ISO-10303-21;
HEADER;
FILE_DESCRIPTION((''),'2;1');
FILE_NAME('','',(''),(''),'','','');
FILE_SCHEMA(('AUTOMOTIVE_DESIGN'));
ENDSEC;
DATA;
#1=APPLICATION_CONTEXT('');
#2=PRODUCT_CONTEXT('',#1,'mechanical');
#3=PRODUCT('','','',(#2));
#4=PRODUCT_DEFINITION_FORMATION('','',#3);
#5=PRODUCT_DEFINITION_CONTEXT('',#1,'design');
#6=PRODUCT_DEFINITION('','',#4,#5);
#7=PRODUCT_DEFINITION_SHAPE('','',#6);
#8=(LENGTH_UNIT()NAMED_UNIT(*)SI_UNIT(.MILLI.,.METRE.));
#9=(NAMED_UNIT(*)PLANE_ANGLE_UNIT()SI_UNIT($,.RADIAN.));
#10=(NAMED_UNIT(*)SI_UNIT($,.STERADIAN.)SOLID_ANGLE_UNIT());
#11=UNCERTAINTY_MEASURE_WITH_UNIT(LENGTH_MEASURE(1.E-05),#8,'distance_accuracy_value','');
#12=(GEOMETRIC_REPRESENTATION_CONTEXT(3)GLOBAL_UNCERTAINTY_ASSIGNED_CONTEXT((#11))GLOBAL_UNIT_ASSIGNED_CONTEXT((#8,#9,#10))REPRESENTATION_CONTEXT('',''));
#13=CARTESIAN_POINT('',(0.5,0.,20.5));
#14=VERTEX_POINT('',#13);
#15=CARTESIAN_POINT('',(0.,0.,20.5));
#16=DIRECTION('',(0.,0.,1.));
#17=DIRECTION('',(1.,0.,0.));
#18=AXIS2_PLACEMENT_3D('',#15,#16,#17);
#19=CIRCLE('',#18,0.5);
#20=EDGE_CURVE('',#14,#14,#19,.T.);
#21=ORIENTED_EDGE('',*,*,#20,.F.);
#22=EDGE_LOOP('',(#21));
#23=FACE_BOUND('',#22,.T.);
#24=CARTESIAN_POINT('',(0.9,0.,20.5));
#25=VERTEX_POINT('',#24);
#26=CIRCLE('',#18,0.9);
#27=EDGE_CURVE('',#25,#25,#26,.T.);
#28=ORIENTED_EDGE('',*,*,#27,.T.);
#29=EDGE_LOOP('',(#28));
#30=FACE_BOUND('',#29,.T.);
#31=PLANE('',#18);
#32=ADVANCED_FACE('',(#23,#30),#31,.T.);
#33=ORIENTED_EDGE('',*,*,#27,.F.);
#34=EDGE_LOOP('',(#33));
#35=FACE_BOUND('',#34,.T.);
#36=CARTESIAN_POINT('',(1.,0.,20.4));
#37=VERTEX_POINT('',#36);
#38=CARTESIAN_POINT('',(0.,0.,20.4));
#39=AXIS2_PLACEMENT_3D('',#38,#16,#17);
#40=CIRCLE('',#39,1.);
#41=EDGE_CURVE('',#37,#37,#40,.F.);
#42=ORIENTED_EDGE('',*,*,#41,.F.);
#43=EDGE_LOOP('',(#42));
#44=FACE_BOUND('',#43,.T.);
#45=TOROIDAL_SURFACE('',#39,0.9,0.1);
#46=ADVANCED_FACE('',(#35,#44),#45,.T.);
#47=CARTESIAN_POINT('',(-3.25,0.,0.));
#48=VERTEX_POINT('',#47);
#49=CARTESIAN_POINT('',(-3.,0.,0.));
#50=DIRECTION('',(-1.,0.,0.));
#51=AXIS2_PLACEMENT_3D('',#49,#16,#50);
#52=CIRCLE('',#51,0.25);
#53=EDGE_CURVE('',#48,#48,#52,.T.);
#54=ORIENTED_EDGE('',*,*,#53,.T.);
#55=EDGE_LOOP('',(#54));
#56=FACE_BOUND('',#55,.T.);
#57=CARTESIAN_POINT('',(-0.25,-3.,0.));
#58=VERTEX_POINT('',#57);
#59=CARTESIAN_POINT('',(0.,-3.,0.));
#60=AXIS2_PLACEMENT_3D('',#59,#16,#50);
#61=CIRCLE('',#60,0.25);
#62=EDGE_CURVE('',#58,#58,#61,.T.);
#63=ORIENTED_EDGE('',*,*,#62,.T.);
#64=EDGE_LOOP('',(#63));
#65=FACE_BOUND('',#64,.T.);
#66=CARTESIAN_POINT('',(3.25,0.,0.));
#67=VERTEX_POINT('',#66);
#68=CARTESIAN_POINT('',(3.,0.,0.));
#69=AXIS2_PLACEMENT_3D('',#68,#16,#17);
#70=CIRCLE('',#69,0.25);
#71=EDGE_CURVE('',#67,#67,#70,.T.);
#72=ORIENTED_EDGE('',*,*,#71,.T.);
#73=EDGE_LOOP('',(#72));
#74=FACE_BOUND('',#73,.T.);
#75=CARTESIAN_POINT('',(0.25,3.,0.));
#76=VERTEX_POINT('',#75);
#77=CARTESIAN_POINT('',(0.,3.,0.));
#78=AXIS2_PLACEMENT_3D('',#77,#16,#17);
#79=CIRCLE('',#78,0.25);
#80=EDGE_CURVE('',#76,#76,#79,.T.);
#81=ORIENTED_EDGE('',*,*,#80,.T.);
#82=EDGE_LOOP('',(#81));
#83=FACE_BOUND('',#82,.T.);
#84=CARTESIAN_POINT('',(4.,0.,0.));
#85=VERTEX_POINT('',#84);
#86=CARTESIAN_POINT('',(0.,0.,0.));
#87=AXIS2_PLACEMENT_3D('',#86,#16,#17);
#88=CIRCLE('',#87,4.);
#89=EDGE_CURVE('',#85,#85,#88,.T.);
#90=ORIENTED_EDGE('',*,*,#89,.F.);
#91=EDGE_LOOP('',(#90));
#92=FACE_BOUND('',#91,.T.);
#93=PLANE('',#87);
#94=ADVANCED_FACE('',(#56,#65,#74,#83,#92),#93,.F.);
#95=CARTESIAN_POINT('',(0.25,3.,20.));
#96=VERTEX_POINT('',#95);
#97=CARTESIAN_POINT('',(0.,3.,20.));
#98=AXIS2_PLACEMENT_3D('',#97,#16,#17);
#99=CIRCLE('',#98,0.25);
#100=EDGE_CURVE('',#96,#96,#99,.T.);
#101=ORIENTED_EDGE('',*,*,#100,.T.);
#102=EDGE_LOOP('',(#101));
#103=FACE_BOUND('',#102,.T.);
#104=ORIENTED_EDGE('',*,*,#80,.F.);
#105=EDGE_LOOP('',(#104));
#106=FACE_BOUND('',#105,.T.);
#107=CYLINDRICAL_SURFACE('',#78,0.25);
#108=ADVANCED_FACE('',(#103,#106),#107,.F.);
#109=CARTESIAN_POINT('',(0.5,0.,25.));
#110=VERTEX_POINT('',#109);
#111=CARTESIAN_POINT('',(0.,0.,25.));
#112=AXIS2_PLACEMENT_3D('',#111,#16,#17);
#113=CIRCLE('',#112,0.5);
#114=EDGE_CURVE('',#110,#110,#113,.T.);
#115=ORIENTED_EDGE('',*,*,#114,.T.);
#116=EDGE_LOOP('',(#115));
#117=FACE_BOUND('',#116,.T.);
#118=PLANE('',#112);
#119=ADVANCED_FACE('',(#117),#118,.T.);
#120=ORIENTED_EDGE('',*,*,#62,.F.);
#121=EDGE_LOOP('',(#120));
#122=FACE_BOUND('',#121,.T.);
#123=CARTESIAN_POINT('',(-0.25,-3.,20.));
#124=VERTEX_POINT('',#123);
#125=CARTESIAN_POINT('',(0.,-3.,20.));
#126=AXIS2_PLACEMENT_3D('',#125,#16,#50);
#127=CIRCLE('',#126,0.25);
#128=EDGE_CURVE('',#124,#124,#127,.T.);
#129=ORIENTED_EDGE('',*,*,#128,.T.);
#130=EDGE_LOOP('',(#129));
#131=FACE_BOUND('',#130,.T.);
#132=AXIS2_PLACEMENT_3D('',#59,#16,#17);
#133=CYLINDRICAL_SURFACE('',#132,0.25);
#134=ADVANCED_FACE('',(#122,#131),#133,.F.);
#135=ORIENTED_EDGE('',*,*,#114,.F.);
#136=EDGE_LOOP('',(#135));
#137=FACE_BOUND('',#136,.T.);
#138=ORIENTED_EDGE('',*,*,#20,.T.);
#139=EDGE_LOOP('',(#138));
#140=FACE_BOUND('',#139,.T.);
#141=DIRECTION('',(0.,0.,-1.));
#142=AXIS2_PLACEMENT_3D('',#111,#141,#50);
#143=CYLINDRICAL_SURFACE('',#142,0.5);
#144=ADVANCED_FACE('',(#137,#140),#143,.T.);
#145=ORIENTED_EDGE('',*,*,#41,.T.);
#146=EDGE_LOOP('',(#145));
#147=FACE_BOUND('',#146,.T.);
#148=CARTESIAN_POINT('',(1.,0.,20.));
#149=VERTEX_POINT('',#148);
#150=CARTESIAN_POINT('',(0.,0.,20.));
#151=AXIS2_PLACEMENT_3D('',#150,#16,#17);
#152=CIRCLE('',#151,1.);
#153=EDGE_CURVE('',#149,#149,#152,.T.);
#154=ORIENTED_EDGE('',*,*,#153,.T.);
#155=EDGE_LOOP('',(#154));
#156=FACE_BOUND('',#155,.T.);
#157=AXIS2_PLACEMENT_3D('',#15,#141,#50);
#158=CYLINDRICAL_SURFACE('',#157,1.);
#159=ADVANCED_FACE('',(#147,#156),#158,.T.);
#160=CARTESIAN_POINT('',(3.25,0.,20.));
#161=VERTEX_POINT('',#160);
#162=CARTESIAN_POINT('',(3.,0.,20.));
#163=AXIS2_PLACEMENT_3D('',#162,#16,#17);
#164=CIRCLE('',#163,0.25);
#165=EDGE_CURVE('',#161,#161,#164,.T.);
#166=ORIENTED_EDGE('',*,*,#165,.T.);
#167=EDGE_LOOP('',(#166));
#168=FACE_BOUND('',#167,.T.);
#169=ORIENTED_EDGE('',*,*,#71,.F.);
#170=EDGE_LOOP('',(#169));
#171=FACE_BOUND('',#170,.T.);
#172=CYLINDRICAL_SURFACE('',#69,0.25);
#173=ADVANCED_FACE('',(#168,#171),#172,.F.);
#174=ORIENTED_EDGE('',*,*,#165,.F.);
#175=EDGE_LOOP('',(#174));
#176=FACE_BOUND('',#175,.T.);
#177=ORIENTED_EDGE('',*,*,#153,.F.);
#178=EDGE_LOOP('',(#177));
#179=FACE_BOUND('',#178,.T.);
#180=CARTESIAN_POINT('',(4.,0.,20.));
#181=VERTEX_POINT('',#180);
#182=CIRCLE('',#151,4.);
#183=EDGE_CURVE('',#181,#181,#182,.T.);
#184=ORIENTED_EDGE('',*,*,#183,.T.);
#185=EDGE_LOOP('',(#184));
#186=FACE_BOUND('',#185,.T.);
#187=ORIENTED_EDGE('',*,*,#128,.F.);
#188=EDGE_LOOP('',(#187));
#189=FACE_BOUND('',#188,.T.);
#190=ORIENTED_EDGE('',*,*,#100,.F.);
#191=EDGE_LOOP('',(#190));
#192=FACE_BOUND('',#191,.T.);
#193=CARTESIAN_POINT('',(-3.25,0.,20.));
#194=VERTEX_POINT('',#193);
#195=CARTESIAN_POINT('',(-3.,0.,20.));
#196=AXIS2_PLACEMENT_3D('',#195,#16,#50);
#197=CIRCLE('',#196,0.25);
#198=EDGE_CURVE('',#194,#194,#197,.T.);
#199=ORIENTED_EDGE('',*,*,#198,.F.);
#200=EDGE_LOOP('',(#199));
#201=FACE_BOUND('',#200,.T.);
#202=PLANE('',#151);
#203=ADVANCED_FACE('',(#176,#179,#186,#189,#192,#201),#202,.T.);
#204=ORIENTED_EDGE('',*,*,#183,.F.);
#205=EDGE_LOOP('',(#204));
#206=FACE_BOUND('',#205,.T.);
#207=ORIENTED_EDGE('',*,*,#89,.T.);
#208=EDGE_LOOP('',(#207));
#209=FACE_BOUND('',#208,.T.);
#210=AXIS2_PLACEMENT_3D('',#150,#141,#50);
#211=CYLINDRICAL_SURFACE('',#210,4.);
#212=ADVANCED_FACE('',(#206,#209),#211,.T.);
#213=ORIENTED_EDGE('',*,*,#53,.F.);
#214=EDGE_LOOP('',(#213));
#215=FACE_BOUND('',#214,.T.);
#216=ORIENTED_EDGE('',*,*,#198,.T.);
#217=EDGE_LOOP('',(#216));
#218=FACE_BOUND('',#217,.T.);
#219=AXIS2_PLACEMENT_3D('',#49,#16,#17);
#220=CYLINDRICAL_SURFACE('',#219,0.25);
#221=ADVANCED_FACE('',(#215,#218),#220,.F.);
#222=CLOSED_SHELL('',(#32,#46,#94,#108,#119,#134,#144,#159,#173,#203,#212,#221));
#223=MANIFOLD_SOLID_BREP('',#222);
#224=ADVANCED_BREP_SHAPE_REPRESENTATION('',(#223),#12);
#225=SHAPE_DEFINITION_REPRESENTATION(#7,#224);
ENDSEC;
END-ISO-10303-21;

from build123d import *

# Parameters (mm, degrees)
SKETCH1_R           = 4
BOSS_EXTRUDE1_DEPTH = 20
SKETCH2_R           = 1
SKETCH2_R_2         = 0.5
BOSS_EXTRUDE2_DEPTH = 0.5
SKETCH4_R           = 0.5
BOSS_EXTRUDE3_DEPTH = 5
FILLET2_R           = 0.1
SKETCH5_R           = 0.25
CUT_EXTRUDE1_DEPTH  = 21.784609691


with BuildPart() as part:
    # Sketch1 → Boss-Extrude1 (new body)
    with BuildSketch(Plane.XY):
        Circle(SKETCH1_R)
    extrude(amount=BOSS_EXTRUDE1_DEPTH)

    # Sketch2 → Boss-Extrude2 (add)
    with BuildSketch(Plane.XY.offset(20)):
        Circle(SKETCH2_R)
        Circle(SKETCH2_R_2, mode=Mode.SUBTRACT)
    extrude(amount=BOSS_EXTRUDE2_DEPTH)

    # Sketch4 → Boss-Extrude3 (add)
    with BuildSketch(Plane.XY.offset(20)):
        Circle(SKETCH4_R)
    extrude(amount=BOSS_EXTRUDE3_DEPTH)

    # Fillet2
    fillet2_edges = [part.edges().sort_by_distance(p)[0] for p in [
        (-1, 0, 20.5),
    ]]
    fillet(fillet2_edges, radius=FILLET2_R)

    # Sketch5 → Cut-Extrude1 (cut, through all)
    with BuildSketch(Plane.XY.offset(20)):
        with Locations((0, 3)):
            Circle(SKETCH5_R)
        with Locations(Location((0, -3, 0), (0, 0, 180))):
            Circle(SKETCH5_R)
        with Locations((3, 0)):
            Circle(SKETCH5_R)
        with Locations(Location((-3, 0, 0), (0, 0, 180))):
            Circle(SKETCH5_R)
    extrude(amount=-CUT_EXTRUDE1_DEPTH, mode=Mode.SUBTRACT)


solid = part.part
